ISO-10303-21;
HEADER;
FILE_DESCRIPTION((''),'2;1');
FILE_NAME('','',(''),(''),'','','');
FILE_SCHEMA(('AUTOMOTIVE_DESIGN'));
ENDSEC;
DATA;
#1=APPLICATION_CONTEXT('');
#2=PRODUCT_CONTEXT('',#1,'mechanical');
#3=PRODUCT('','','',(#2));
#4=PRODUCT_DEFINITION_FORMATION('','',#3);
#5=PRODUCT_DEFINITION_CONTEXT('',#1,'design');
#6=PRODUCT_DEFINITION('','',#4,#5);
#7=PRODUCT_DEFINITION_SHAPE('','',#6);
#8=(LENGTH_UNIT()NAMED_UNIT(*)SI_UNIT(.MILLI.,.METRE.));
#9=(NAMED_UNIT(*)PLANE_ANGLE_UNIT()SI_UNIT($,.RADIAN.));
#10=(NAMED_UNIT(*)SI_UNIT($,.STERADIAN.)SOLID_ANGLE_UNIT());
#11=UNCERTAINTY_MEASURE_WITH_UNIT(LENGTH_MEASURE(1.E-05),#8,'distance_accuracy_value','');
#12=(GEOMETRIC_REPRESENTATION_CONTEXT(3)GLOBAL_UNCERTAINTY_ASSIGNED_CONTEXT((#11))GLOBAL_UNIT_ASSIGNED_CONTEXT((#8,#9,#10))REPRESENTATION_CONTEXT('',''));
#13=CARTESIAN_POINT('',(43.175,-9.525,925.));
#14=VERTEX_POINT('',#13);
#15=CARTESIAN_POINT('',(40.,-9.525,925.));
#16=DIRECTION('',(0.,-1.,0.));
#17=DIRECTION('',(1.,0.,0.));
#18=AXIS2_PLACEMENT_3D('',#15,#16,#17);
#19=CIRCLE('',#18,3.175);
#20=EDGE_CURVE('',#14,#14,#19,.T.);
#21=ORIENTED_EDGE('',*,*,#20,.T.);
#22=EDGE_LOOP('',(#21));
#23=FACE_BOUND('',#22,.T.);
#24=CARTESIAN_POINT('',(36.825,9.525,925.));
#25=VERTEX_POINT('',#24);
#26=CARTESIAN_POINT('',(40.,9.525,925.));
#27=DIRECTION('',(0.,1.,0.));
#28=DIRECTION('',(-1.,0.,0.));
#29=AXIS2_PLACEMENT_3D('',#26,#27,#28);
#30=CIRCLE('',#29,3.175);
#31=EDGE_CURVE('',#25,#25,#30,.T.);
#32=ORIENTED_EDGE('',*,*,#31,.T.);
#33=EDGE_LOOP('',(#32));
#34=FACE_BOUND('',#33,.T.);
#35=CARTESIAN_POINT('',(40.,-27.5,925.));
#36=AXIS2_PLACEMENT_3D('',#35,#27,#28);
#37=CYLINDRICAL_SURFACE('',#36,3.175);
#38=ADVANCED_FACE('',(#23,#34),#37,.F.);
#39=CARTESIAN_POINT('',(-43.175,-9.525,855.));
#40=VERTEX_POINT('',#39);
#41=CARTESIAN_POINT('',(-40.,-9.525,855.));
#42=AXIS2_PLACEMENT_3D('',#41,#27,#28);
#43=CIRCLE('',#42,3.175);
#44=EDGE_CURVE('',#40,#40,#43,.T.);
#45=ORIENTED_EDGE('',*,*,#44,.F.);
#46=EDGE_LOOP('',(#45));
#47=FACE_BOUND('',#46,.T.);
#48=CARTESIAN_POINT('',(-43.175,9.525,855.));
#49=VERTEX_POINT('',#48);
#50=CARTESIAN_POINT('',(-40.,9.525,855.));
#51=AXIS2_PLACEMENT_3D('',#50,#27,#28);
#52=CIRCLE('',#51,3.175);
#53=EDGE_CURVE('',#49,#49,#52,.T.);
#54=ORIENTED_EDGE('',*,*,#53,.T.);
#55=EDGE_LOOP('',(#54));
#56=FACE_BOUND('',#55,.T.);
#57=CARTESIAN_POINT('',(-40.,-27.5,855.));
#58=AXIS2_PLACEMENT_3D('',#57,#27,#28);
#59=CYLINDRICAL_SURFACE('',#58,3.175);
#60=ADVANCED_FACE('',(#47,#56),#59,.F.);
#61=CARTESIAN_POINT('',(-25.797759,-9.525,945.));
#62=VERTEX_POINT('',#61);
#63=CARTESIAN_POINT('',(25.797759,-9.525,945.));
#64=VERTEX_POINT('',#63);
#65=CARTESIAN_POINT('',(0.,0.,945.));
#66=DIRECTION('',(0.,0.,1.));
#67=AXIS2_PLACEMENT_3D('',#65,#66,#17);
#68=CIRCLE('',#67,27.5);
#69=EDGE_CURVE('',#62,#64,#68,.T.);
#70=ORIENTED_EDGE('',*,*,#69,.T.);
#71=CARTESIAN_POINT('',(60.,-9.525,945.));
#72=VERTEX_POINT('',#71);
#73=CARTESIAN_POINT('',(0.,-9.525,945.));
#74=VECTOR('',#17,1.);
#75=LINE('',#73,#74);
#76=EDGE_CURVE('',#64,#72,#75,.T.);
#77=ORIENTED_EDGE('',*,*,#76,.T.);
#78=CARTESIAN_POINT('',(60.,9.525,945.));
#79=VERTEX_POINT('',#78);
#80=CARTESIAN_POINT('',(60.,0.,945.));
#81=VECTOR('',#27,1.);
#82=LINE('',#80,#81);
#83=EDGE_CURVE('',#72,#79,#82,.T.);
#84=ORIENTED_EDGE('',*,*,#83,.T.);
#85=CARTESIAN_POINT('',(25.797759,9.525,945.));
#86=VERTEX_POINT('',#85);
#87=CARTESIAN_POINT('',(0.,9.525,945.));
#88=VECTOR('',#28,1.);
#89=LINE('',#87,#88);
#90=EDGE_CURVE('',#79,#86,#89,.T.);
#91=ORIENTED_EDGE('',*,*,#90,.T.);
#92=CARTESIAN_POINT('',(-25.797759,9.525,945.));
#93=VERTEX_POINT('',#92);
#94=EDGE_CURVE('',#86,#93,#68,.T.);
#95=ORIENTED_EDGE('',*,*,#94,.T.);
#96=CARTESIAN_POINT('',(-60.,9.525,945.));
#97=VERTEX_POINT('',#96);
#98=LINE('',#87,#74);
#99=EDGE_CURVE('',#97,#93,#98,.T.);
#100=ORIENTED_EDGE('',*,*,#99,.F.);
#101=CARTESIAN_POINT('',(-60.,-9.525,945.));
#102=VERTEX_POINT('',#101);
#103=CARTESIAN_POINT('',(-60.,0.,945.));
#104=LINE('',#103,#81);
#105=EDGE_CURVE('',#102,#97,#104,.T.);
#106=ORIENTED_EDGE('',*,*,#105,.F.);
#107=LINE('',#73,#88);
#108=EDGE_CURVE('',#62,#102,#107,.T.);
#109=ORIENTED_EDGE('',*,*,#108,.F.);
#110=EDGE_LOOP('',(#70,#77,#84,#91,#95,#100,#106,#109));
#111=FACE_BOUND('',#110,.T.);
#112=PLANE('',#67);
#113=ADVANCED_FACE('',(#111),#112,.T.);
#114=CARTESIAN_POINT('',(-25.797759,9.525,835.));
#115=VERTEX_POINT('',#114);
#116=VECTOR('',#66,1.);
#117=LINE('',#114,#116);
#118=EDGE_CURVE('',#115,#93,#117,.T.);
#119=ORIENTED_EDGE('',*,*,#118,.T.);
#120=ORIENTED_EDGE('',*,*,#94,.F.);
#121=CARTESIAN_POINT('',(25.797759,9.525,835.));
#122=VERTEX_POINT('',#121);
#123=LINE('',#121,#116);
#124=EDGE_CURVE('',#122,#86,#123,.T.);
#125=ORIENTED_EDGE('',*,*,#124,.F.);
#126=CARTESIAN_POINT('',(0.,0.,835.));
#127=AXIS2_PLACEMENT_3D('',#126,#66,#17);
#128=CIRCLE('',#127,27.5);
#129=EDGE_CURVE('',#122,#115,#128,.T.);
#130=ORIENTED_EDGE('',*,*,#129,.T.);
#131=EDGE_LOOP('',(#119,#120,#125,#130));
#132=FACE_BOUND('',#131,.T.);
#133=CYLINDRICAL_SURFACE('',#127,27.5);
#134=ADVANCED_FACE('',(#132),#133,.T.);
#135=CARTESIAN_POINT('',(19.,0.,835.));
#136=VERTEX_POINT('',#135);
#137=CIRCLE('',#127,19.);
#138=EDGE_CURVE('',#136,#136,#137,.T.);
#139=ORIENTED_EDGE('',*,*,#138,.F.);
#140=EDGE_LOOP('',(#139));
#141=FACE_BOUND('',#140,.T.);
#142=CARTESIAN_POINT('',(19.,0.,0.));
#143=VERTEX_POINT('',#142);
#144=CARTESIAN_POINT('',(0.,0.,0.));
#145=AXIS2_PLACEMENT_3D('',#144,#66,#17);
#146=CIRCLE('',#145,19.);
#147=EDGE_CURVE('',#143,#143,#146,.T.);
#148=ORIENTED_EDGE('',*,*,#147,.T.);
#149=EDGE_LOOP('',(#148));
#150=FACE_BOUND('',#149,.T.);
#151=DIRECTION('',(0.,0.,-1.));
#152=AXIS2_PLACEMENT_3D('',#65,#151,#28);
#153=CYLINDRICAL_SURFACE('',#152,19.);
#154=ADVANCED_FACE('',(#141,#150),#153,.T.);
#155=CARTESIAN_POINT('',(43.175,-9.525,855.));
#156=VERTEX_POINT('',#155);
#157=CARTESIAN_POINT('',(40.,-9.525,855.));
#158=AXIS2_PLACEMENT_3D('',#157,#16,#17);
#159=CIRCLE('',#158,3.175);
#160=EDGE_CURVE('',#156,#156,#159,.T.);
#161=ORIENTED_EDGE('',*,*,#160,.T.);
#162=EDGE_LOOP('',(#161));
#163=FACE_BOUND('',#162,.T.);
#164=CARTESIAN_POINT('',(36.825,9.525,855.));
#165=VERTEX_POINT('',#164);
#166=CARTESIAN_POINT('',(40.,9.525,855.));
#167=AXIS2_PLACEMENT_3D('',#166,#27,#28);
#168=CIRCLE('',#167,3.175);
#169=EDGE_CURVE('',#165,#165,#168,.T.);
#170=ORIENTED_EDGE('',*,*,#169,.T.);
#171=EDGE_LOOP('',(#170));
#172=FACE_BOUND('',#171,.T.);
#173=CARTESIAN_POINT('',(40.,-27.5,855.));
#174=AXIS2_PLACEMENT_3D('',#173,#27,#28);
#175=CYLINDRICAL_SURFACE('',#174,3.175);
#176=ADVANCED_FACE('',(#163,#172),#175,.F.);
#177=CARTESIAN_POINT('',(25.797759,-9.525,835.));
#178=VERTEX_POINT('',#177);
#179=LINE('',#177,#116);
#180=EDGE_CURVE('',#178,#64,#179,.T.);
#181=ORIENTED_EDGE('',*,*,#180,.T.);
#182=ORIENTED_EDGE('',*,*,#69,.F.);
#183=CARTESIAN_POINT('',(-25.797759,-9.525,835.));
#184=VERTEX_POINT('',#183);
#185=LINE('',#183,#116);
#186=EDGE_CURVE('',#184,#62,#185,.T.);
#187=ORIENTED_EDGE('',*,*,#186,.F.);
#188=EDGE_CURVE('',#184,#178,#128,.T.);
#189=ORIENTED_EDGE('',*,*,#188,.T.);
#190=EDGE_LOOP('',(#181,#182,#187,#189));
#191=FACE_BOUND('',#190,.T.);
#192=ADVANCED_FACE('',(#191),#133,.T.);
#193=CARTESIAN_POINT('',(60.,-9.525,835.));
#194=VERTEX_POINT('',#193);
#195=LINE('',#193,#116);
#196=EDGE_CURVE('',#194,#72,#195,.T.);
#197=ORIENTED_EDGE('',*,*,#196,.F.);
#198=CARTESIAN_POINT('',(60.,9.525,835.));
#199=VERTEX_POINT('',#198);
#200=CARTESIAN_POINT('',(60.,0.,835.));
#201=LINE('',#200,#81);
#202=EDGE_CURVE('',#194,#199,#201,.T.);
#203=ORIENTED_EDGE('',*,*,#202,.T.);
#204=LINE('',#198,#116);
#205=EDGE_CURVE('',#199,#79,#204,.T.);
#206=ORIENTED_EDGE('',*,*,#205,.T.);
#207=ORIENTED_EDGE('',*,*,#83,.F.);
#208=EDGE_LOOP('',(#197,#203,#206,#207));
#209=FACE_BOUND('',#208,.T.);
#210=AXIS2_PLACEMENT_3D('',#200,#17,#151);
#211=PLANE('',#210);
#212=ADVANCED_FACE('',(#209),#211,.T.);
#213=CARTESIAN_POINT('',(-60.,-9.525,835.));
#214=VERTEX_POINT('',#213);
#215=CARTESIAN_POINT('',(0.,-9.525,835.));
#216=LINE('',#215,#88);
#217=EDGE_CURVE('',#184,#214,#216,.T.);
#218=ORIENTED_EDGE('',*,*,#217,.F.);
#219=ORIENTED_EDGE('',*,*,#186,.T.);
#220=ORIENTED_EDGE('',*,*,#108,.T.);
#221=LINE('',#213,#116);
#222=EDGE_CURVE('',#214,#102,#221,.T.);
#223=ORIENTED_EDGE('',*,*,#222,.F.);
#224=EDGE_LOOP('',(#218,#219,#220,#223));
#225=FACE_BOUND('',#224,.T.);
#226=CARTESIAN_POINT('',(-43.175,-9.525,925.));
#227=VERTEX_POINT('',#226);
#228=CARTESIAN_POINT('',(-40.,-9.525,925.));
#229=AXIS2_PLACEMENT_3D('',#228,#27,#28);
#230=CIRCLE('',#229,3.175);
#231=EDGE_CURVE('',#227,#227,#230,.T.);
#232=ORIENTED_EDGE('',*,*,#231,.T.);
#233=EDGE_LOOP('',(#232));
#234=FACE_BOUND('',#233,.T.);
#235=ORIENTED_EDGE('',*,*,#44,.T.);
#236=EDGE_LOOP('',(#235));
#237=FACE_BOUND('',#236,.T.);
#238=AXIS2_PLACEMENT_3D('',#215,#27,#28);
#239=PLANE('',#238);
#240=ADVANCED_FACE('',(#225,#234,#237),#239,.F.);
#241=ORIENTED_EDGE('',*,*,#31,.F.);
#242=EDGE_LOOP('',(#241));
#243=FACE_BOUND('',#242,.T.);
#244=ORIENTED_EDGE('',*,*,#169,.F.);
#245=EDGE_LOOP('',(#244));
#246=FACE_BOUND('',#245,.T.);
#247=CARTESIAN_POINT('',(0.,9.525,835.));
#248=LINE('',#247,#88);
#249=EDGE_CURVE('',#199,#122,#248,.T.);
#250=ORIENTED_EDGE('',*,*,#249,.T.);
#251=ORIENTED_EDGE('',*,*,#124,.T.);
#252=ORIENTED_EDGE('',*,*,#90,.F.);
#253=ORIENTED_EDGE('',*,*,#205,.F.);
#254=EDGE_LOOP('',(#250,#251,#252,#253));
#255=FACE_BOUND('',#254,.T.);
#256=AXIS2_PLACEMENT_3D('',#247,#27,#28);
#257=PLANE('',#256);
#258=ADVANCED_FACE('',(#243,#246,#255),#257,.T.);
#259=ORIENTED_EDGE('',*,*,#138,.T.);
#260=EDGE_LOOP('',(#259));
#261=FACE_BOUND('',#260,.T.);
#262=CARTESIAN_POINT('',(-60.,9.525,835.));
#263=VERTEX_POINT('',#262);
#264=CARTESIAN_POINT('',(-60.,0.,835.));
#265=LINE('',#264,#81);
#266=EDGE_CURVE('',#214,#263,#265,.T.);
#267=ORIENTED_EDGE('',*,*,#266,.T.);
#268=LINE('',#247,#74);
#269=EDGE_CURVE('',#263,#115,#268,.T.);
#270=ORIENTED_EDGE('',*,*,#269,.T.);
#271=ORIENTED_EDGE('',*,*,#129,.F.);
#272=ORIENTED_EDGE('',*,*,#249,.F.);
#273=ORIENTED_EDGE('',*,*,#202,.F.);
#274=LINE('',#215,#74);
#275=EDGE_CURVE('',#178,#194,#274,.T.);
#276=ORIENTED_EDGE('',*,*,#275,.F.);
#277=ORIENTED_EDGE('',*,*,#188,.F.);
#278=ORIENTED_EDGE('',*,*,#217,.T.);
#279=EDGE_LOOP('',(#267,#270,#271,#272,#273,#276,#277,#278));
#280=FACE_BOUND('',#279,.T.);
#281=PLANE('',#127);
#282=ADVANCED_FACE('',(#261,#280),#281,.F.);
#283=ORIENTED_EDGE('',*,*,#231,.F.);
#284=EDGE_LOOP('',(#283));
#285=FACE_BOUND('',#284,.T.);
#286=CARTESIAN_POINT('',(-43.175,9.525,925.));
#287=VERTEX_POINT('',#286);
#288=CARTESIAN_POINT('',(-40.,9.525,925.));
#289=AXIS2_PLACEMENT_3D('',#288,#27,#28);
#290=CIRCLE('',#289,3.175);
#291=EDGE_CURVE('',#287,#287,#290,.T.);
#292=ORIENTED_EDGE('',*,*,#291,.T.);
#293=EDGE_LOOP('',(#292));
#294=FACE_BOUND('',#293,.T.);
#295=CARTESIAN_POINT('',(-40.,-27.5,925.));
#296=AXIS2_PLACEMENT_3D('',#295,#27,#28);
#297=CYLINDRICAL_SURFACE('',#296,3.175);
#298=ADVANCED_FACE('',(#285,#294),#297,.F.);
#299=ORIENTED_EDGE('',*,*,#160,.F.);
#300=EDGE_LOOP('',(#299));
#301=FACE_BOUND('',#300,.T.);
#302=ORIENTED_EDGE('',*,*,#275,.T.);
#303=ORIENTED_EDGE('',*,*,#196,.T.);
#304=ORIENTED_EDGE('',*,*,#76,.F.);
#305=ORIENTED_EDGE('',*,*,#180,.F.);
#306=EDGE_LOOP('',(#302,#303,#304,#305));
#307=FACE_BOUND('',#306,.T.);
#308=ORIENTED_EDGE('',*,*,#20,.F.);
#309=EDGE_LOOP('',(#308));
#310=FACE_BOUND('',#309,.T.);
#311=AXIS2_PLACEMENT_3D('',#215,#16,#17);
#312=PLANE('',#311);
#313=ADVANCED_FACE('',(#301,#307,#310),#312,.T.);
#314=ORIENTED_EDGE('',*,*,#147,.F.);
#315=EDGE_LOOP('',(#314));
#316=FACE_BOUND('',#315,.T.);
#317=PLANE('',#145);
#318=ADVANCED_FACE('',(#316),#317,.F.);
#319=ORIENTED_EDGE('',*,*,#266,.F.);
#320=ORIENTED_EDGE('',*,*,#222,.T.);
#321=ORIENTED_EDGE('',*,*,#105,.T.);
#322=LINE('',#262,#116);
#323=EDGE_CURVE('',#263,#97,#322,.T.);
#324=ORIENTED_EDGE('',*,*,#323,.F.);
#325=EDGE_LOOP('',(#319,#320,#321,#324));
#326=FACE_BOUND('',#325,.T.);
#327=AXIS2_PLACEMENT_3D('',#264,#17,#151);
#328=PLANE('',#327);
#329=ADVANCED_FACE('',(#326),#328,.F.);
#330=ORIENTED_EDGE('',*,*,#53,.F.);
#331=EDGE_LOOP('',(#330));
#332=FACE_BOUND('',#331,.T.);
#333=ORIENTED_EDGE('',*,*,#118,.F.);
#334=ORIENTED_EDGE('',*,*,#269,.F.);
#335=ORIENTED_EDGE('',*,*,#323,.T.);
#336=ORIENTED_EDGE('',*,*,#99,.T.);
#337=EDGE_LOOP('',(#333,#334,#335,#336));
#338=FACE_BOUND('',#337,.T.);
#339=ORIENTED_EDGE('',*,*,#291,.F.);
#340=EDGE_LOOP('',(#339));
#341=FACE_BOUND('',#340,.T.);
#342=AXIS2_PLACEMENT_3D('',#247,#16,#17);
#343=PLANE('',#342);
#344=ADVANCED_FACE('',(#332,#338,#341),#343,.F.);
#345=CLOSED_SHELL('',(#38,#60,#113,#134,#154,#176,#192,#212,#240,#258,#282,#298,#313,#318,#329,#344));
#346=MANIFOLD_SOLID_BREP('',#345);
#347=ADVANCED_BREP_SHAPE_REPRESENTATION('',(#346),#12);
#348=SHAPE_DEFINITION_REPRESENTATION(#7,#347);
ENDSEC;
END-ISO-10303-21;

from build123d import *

# Parameters (mm, degrees)
SKETCH1_R           = 19
BOSS_EXTRUDE1_DEPTH = 945
BOSS_EXTRUDE2_START = -110
SKETCH2_R           = 19
BOSS_EXTRUDE2_DEPTH = 110
SKETCH3_R           = 3.175
CUT_EXTRUDE1_DEPTH  = 948.626429889


with BuildPart() as part:
    # Sketch1 → Boss-Extrude1 (new body)
    with BuildSketch(Plane.XY):
        Circle(SKETCH1_R)
    extrude(amount=BOSS_EXTRUDE1_DEPTH)

    # Sketch2 → Boss-Extrude2 (add)
    with BuildSketch(Plane.XY.offset(945).offset(BOSS_EXTRUDE2_START)):
        with BuildLine():
            Line((-60, -9.525), (-25.797759108, -9.525))
            ThreePointArc((-25.797759108, -9.525), (0, -27.5), (25.797759108, -9.525))
            Line((25.797759108, -9.525), (60, -9.525))
            Line((60, -9.525), (60, 9.525))
            Line((60, 9.525), (25.797759108, 9.525))
            ThreePointArc((25.797759108, 9.525), (0, 27.5), (-25.797759108, 9.525))
            Line((-25.797759108, 9.525), (-60, 9.525))
            Line((-60, 9.525), (-60, -9.525))
        make_face()
        Circle(SKETCH2_R, mode=Mode.SUBTRACT)
    extrude(amount=BOSS_EXTRUDE2_DEPTH)

    # Sketch3 → Cut-Extrude1 (cut, through all)
    with BuildSketch(Plane(origin=(0, 9.525, 0), x_dir=(1, 0, 0), z_dir=(0, 1, 0))):
        with Locations(Location((40, -925, 0), (0, 0, 180))):
            Circle(SKETCH3_R)
        with Locations(Location((40, -855, 0), (0, 0, 180))):
            Circle(SKETCH3_R)
        with Locations(Location((-40, -925, 0), (0, 0, 180))):
            Circle(SKETCH3_R)
        with Locations(Location((-40, -855, 0), (0, 0, 180))):
            Circle(SKETCH3_R)
    extrude(amount=-CUT_EXTRUDE1_DEPTH, mode=Mode.SUBTRACT)


solid = part.part
